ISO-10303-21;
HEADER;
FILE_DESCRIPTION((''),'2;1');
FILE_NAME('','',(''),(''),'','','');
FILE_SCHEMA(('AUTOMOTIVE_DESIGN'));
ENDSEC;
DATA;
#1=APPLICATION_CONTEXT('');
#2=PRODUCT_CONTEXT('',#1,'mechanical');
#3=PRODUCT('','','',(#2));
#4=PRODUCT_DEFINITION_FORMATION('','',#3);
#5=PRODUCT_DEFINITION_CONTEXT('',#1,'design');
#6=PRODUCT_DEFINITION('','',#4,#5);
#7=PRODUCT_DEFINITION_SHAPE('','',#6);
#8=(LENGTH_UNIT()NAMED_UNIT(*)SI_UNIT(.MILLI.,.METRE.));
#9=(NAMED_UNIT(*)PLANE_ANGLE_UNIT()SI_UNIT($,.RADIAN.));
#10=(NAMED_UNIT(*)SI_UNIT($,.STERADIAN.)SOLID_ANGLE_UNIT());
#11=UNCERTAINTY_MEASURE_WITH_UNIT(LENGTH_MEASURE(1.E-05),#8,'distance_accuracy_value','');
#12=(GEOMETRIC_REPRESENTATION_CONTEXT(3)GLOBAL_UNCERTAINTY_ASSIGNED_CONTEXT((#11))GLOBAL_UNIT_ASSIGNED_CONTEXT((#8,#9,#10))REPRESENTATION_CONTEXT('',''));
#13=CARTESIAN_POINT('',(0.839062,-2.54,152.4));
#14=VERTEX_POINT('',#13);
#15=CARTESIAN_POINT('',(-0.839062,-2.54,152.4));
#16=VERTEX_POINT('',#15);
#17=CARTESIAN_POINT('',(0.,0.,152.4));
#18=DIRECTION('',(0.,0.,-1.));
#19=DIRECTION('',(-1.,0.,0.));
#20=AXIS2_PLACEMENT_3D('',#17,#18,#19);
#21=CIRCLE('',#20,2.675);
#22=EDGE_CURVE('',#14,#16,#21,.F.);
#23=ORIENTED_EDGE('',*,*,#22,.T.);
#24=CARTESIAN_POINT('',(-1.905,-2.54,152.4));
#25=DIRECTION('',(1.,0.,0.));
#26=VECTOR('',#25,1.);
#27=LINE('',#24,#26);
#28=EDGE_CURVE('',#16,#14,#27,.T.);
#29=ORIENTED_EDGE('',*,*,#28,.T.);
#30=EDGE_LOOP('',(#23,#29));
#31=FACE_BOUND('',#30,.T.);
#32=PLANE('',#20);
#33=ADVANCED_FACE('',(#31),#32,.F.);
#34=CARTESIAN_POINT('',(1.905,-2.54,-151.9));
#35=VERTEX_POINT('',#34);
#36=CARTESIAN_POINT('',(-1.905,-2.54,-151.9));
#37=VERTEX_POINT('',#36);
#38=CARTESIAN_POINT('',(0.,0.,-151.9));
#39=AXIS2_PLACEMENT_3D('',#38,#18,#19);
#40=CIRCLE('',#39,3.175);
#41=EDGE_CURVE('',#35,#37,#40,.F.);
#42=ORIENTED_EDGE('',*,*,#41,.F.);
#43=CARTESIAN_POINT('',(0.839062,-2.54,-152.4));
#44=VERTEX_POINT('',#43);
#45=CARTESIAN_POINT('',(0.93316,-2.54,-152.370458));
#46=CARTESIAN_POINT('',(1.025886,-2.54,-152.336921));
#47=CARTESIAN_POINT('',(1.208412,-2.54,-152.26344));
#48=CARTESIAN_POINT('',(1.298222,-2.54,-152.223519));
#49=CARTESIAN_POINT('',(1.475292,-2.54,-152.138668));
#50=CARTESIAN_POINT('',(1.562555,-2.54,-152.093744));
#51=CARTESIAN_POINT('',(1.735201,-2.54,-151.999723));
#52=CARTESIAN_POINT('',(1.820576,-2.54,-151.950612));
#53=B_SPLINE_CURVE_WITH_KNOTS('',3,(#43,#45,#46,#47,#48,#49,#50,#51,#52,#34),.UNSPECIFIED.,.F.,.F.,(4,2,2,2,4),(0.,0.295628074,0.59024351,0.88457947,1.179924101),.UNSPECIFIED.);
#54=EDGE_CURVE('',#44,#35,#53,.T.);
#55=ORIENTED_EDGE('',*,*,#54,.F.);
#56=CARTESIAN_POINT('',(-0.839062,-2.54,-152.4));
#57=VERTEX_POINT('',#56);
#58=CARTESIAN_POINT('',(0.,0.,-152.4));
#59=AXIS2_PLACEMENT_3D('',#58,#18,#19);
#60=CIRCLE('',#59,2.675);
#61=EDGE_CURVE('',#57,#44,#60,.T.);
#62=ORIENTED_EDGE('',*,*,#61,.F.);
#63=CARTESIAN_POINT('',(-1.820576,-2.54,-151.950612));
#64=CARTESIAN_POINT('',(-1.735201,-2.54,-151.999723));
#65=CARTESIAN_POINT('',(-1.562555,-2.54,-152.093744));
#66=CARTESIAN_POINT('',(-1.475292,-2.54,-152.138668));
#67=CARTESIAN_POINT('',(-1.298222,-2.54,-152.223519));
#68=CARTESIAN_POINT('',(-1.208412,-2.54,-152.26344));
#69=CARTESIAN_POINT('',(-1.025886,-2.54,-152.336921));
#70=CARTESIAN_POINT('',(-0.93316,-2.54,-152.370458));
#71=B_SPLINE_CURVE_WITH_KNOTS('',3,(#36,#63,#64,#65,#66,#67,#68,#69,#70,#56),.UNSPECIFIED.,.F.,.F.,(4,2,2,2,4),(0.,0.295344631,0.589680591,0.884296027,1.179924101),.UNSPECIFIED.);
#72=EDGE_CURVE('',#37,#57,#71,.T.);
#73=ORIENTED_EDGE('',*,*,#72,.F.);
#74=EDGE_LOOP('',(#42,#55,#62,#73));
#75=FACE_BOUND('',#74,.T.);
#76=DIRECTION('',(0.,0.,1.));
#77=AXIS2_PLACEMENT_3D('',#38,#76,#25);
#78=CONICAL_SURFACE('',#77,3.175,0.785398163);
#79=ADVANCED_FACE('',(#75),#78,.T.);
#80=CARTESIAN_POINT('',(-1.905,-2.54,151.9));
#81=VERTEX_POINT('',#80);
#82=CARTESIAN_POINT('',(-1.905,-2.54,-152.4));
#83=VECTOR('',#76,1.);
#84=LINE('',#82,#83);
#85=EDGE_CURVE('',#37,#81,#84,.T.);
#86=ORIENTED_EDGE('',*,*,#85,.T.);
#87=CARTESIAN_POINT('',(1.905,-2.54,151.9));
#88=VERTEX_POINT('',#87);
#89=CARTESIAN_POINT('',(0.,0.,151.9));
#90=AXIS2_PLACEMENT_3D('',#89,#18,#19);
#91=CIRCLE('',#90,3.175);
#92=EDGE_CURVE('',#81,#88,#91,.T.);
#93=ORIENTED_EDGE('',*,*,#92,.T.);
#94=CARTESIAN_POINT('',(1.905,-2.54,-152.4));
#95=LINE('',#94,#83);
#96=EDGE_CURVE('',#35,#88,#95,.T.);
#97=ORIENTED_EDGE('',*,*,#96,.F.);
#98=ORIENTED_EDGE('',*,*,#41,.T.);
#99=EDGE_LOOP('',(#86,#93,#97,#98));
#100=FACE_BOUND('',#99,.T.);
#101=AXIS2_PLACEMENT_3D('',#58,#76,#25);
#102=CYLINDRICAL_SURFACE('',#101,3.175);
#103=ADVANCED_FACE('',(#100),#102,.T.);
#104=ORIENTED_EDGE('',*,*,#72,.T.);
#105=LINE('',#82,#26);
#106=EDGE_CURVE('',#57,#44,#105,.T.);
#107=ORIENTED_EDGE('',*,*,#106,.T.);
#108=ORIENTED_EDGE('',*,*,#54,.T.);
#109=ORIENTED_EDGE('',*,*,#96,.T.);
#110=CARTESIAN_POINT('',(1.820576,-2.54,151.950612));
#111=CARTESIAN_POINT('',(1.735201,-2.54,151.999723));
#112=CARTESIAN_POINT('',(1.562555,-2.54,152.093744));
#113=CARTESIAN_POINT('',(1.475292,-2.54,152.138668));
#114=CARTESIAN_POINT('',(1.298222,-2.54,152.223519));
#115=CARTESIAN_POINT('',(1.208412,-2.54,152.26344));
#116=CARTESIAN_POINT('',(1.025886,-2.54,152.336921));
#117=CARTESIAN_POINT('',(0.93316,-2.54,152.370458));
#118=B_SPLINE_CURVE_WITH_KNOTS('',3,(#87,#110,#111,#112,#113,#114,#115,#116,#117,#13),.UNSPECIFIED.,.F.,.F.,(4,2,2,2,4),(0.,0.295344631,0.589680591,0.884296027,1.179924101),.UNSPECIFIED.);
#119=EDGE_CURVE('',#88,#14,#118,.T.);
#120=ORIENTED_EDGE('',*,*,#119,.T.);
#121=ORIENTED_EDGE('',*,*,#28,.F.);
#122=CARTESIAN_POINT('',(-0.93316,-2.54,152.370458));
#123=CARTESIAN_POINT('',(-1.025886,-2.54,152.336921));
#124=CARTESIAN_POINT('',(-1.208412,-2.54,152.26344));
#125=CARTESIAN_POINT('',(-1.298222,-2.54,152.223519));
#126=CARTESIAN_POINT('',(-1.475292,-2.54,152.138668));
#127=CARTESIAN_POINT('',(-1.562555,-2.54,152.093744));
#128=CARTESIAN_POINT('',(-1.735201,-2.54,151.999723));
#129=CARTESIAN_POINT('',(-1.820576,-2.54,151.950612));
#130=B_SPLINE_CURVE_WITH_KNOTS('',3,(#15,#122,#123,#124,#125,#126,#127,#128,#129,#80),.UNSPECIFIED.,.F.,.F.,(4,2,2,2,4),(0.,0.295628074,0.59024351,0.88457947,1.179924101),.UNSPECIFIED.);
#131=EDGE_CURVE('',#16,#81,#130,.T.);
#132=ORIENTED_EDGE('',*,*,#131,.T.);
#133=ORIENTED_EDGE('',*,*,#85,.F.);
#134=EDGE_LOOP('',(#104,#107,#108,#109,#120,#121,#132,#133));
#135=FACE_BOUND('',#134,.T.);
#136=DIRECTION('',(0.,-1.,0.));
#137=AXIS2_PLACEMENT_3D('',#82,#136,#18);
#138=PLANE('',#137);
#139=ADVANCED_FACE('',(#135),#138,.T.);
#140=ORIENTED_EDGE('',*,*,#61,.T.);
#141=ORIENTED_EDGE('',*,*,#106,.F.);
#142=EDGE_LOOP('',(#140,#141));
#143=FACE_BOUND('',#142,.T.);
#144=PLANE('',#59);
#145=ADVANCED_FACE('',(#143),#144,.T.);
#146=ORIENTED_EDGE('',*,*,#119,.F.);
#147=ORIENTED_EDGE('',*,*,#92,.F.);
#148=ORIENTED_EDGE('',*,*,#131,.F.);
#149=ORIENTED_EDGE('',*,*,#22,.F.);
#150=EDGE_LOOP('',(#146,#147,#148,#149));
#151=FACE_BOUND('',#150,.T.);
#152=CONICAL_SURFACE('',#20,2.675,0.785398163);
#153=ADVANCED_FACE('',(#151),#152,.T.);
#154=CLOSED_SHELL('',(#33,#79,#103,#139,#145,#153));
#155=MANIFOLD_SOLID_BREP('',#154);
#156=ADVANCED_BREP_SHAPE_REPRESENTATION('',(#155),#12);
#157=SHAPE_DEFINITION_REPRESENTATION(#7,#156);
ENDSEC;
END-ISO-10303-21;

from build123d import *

# Parameters (mm, degrees)
CHAMFER1_SIZE = 0.5


with BuildPart() as part:
    # Sweep1: sweep along a path in Sketch2
    with BuildLine(Plane(origin=(0, 0, 0), x_dir=(1, 0, 0), z_dir=(0, 1, 0))) as sweep1_path:
        Line((0, -152.4), (0, 152.4))
    # Sketch1 → Sweep1 (sweep)
    with BuildSketch(Plane.XY):
        with BuildLine():
            Line((-1.905, -2.54), (1.905, -2.54))
            ThreePointArc((1.905, -2.54), (0, 3.175), (-1.905, -2.54))
        make_face()
    sweep(path=sweep1_path.line)

    # Chamfer1
    chamfer1_edges = [part.edges().sort_by_distance(p)[0] for p in [
        (0, 3.175, 152.4),
        (0, 3.175, -152.4),
    ]]
    chamfer(chamfer1_edges, length=CHAMFER1_SIZE)


solid = part.part
